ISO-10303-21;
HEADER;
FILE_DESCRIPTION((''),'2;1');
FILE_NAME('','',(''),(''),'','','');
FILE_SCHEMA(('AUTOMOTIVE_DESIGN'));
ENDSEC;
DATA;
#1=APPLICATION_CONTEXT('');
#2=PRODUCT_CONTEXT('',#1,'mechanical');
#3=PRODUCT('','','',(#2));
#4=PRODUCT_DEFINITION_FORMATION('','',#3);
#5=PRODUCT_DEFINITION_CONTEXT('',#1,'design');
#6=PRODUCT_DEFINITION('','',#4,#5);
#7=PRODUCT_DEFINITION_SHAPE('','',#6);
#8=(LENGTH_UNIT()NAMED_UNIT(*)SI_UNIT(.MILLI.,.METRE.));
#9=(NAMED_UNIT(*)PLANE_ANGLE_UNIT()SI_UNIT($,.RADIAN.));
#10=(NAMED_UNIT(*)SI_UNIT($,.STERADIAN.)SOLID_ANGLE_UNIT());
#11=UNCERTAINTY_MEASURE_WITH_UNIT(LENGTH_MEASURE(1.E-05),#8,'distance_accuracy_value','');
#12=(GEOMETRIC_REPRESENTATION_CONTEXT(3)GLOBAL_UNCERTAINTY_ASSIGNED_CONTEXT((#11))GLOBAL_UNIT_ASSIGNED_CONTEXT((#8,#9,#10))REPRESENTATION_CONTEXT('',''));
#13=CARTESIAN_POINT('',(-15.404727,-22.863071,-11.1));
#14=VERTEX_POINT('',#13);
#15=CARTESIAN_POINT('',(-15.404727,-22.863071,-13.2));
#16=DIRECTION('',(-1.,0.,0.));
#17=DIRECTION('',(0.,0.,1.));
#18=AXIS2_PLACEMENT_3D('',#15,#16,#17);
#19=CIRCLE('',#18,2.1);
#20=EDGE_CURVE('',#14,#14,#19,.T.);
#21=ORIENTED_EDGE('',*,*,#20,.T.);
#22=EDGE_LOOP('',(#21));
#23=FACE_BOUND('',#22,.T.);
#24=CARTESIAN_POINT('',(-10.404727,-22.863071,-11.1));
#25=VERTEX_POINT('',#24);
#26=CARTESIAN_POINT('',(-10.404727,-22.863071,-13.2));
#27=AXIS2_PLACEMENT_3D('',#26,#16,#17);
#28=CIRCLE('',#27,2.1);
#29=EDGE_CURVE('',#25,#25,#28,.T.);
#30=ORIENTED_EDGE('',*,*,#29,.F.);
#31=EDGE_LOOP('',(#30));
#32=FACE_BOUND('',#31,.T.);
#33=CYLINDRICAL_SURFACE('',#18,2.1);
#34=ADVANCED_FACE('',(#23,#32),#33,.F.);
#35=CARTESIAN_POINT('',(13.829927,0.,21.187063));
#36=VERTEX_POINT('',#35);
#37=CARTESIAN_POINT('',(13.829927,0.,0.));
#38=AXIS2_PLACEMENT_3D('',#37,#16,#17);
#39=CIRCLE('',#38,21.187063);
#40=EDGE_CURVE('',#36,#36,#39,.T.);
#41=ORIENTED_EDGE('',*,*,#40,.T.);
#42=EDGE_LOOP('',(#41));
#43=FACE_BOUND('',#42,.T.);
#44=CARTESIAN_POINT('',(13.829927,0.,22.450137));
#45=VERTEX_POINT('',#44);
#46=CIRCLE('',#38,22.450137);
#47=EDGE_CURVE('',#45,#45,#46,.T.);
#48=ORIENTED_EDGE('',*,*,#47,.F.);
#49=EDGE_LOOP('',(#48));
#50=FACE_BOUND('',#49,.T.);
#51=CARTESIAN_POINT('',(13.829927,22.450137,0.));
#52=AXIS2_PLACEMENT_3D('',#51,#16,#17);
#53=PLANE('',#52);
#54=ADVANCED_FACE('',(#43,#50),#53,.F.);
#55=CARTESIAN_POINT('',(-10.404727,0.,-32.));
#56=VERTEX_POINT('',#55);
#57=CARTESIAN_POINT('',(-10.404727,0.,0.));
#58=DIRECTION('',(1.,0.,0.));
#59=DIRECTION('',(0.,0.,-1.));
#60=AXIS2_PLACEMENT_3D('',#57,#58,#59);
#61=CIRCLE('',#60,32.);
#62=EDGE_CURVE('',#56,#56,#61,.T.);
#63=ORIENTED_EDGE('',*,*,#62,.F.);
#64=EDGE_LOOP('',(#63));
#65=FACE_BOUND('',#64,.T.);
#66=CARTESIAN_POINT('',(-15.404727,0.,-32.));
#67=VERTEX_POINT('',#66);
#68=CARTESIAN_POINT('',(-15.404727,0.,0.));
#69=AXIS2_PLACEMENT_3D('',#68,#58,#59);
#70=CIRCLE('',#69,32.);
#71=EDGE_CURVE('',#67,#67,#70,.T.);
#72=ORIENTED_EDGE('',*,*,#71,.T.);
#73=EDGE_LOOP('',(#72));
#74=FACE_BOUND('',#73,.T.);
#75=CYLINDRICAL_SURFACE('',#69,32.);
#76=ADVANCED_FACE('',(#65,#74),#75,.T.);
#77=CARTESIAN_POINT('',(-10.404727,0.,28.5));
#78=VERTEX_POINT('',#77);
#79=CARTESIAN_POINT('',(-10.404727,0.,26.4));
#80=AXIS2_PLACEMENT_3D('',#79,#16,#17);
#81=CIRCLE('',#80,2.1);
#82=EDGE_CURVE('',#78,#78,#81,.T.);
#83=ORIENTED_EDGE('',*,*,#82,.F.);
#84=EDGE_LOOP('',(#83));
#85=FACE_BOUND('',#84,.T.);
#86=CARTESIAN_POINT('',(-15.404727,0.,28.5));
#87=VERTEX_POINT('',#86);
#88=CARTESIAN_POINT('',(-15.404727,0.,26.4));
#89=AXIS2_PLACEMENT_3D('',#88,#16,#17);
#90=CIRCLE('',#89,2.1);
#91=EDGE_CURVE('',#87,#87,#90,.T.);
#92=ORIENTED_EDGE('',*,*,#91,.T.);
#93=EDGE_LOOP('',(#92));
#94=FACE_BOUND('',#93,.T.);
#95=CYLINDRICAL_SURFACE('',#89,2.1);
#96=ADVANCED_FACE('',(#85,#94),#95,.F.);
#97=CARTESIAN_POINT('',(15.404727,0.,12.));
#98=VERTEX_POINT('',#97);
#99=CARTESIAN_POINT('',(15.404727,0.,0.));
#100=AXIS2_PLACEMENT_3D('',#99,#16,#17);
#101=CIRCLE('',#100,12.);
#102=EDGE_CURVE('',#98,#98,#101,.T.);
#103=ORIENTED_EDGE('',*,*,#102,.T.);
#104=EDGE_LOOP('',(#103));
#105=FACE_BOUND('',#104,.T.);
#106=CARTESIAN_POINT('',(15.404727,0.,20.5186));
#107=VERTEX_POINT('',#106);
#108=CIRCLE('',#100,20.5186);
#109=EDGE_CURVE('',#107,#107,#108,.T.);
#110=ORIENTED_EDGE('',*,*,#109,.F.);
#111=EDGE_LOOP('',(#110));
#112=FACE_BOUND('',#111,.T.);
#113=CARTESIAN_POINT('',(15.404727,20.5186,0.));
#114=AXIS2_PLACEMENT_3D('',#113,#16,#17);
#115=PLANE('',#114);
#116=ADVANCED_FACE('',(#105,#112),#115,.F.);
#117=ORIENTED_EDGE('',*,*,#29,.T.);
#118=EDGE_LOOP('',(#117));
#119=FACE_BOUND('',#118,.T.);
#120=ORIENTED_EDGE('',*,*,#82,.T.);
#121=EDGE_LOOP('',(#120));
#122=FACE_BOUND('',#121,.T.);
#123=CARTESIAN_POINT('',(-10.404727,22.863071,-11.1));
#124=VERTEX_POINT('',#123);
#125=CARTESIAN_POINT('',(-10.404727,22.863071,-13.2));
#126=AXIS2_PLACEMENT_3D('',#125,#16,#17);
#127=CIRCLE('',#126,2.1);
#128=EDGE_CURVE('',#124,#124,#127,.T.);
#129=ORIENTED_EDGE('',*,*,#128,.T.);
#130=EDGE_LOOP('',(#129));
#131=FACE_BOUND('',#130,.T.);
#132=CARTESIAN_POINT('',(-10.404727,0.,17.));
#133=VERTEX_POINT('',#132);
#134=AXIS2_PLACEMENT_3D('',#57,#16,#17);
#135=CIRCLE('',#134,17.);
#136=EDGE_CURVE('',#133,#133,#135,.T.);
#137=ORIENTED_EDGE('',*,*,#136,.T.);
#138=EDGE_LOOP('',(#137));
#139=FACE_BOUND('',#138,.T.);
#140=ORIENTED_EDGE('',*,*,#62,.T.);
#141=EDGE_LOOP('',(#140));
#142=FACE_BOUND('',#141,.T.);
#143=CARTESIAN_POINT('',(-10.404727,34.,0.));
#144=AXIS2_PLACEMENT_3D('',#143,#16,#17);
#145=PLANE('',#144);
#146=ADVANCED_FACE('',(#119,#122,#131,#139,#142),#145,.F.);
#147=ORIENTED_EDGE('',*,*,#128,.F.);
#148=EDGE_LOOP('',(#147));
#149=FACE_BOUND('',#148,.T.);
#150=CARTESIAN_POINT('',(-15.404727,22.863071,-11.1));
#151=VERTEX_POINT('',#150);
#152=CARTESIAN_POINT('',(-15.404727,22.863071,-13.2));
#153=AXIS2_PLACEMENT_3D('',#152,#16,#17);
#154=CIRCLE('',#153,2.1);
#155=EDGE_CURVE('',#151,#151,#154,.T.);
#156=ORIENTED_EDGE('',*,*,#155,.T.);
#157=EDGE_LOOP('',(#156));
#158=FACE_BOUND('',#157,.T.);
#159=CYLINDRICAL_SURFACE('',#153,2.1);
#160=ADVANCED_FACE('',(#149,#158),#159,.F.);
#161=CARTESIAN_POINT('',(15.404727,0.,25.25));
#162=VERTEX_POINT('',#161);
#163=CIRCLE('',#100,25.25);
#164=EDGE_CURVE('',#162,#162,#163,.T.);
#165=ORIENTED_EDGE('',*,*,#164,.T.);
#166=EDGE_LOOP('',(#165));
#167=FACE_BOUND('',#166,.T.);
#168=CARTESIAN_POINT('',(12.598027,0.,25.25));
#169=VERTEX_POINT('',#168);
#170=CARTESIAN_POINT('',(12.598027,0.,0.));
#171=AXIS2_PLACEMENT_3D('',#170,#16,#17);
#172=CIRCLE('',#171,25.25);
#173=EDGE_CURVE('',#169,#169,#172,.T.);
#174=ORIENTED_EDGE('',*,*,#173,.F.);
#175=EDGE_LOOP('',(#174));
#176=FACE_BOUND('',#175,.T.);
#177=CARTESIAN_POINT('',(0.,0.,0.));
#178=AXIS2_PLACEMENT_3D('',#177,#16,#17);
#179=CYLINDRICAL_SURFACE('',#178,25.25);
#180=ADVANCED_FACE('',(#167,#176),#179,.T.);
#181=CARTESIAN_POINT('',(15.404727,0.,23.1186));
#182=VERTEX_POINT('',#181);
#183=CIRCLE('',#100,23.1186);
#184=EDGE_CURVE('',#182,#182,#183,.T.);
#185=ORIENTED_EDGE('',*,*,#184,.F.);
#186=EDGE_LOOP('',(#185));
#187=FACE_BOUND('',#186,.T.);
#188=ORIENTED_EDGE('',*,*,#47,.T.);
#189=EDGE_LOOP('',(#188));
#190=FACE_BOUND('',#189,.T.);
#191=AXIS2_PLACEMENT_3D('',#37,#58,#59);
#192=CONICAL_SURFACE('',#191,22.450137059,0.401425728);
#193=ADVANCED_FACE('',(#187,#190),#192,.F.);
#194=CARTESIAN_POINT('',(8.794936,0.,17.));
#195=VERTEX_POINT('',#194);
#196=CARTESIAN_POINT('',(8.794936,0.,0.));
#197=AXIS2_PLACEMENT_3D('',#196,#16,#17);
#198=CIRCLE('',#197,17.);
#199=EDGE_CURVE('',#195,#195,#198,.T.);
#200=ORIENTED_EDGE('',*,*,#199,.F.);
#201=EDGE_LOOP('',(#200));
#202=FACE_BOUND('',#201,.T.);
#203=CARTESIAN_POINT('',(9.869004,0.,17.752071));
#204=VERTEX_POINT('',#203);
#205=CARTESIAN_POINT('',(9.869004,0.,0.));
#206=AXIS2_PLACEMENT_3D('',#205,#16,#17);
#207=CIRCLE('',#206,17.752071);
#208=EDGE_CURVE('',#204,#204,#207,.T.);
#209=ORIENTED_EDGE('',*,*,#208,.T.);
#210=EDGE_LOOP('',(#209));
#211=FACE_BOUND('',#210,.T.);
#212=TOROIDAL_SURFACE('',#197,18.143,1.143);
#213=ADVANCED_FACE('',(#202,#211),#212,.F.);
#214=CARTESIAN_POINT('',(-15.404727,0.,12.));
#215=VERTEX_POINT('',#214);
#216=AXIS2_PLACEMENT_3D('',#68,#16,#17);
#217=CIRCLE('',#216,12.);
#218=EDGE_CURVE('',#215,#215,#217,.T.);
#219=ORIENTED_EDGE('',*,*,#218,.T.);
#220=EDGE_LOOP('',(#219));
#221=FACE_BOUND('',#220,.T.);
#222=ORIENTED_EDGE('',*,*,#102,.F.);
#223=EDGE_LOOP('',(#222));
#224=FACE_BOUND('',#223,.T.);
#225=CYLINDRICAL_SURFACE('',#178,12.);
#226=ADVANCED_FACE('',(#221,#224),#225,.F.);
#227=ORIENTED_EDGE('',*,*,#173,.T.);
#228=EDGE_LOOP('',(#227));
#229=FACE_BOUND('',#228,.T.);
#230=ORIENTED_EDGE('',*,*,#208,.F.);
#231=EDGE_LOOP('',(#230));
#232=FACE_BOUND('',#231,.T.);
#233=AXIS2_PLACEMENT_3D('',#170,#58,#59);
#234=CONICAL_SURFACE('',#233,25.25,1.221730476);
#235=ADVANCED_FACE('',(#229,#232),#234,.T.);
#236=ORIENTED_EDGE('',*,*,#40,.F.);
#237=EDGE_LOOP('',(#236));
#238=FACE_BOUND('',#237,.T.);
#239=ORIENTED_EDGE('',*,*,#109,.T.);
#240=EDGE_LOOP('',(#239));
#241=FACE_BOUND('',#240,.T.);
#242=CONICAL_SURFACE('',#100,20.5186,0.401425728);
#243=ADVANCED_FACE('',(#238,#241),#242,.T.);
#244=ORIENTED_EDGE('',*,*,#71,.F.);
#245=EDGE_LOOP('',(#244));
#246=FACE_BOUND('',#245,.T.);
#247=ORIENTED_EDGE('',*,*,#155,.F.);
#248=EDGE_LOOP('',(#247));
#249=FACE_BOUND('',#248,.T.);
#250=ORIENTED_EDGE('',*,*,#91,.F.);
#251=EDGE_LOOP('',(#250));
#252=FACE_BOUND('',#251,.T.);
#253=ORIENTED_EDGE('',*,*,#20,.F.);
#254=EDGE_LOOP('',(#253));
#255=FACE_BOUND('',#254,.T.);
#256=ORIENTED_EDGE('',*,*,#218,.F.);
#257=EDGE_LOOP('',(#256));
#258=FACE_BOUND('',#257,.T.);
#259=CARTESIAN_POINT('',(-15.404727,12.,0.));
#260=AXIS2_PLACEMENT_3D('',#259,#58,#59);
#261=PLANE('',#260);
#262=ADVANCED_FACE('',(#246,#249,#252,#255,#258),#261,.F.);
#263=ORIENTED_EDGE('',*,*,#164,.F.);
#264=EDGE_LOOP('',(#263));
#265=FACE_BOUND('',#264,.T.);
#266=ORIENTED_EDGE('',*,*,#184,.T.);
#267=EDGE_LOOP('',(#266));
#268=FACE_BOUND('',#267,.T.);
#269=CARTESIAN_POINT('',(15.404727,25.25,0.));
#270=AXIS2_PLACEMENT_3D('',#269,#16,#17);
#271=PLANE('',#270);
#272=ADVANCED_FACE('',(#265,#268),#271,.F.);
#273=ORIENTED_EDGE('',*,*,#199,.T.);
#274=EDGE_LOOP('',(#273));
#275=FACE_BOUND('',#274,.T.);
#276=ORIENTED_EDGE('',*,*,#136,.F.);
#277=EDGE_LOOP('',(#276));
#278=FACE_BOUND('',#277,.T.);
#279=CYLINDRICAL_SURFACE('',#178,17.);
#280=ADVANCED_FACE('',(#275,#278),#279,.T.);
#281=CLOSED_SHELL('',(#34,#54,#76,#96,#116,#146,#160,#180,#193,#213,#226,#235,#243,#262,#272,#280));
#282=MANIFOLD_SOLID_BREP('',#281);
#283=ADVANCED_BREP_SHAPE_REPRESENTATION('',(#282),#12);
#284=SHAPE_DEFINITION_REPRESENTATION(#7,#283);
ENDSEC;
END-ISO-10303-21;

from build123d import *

# Parameters (mm, degrees)
M5_TAPPED_HOLE1_D       = 4.2
M5_TAPPED_HOLE1_DEPTH   = 12.4
M5_TAPPED_HOLE1_TIP     = 1.2618073
SKETCH5_R               = 42
SKETCH5_R_2             = 32
CUT_EXTRUDE_THIN1_DEPTH = 55.572226802


with BuildPart() as part:
    # Sketch1 → Revolve1 (revolve)
    with BuildSketch(Plane.XY):
        with BuildLine():
            Line((-15.404727216, 12), (-15.404727216, 34))
            Line((-15.404727216, 34), (-10.404727216, 34))
            Line((-10.404727216, 34), (-10.404727216, 17))
            Line((-10.404727216, 17), (8.794935567, 17))
            ThreePointArc((8.794935567, 17), (9.450533434, 17.206709213), (9.869004233, 17.752070976))
            Line((9.869004233, 17.752070976), (12.598027216, 25.25))
            Line((12.598027216, 25.25), (15.404727216, 25.25))
            Line((15.404727216, 25.25), (15.404727216, 23.1186))
            Line((15.404727216, 23.1186), (13.829927216, 22.450137059))
            Line((13.829927216, 22.450137059), (13.829927216, 21.187062941))
            Line((13.829927216, 21.187062941), (15.404727216, 20.5186))
            Line((15.404727216, 20.5186), (15.404727216, 12))
            Line((15.404727216, 12), (-15.404727216, 12))
        make_face()
    revolve(axis=Axis((0, 0, 0), (1, 0, 0)))

    # M5 Tapped Hole1
    with Locations(Plane.ZY.offset(15.404727216)):
        with Locations((-13.199999999, -22.86307066), (-13.200000001, 22.863070659), (26.4, 1e-09)):
            Hole(M5_TAPPED_HOLE1_D / 2, depth=M5_TAPPED_HOLE1_DEPTH)
            with Locations((0, 0, -(M5_TAPPED_HOLE1_DEPTH + M5_TAPPED_HOLE1_TIP / 2))):  # 118° drill point
                Cone(0, M5_TAPPED_HOLE1_D / 2, M5_TAPPED_HOLE1_TIP, mode=Mode.SUBTRACT)

    # Sketch5 → Cut-Extrude-Thin1 (cut, through all)
    with BuildSketch(Plane(origin=(-10.404727216, 0, 0), x_dir=(0, 0, -1), z_dir=(1, 0, 0))):
        Circle(SKETCH5_R)
        Circle(SKETCH5_R_2, mode=Mode.SUBTRACT)
    extrude(amount=-CUT_EXTRUDE_THIN1_DEPTH, mode=Mode.SUBTRACT)


solid = part.part
